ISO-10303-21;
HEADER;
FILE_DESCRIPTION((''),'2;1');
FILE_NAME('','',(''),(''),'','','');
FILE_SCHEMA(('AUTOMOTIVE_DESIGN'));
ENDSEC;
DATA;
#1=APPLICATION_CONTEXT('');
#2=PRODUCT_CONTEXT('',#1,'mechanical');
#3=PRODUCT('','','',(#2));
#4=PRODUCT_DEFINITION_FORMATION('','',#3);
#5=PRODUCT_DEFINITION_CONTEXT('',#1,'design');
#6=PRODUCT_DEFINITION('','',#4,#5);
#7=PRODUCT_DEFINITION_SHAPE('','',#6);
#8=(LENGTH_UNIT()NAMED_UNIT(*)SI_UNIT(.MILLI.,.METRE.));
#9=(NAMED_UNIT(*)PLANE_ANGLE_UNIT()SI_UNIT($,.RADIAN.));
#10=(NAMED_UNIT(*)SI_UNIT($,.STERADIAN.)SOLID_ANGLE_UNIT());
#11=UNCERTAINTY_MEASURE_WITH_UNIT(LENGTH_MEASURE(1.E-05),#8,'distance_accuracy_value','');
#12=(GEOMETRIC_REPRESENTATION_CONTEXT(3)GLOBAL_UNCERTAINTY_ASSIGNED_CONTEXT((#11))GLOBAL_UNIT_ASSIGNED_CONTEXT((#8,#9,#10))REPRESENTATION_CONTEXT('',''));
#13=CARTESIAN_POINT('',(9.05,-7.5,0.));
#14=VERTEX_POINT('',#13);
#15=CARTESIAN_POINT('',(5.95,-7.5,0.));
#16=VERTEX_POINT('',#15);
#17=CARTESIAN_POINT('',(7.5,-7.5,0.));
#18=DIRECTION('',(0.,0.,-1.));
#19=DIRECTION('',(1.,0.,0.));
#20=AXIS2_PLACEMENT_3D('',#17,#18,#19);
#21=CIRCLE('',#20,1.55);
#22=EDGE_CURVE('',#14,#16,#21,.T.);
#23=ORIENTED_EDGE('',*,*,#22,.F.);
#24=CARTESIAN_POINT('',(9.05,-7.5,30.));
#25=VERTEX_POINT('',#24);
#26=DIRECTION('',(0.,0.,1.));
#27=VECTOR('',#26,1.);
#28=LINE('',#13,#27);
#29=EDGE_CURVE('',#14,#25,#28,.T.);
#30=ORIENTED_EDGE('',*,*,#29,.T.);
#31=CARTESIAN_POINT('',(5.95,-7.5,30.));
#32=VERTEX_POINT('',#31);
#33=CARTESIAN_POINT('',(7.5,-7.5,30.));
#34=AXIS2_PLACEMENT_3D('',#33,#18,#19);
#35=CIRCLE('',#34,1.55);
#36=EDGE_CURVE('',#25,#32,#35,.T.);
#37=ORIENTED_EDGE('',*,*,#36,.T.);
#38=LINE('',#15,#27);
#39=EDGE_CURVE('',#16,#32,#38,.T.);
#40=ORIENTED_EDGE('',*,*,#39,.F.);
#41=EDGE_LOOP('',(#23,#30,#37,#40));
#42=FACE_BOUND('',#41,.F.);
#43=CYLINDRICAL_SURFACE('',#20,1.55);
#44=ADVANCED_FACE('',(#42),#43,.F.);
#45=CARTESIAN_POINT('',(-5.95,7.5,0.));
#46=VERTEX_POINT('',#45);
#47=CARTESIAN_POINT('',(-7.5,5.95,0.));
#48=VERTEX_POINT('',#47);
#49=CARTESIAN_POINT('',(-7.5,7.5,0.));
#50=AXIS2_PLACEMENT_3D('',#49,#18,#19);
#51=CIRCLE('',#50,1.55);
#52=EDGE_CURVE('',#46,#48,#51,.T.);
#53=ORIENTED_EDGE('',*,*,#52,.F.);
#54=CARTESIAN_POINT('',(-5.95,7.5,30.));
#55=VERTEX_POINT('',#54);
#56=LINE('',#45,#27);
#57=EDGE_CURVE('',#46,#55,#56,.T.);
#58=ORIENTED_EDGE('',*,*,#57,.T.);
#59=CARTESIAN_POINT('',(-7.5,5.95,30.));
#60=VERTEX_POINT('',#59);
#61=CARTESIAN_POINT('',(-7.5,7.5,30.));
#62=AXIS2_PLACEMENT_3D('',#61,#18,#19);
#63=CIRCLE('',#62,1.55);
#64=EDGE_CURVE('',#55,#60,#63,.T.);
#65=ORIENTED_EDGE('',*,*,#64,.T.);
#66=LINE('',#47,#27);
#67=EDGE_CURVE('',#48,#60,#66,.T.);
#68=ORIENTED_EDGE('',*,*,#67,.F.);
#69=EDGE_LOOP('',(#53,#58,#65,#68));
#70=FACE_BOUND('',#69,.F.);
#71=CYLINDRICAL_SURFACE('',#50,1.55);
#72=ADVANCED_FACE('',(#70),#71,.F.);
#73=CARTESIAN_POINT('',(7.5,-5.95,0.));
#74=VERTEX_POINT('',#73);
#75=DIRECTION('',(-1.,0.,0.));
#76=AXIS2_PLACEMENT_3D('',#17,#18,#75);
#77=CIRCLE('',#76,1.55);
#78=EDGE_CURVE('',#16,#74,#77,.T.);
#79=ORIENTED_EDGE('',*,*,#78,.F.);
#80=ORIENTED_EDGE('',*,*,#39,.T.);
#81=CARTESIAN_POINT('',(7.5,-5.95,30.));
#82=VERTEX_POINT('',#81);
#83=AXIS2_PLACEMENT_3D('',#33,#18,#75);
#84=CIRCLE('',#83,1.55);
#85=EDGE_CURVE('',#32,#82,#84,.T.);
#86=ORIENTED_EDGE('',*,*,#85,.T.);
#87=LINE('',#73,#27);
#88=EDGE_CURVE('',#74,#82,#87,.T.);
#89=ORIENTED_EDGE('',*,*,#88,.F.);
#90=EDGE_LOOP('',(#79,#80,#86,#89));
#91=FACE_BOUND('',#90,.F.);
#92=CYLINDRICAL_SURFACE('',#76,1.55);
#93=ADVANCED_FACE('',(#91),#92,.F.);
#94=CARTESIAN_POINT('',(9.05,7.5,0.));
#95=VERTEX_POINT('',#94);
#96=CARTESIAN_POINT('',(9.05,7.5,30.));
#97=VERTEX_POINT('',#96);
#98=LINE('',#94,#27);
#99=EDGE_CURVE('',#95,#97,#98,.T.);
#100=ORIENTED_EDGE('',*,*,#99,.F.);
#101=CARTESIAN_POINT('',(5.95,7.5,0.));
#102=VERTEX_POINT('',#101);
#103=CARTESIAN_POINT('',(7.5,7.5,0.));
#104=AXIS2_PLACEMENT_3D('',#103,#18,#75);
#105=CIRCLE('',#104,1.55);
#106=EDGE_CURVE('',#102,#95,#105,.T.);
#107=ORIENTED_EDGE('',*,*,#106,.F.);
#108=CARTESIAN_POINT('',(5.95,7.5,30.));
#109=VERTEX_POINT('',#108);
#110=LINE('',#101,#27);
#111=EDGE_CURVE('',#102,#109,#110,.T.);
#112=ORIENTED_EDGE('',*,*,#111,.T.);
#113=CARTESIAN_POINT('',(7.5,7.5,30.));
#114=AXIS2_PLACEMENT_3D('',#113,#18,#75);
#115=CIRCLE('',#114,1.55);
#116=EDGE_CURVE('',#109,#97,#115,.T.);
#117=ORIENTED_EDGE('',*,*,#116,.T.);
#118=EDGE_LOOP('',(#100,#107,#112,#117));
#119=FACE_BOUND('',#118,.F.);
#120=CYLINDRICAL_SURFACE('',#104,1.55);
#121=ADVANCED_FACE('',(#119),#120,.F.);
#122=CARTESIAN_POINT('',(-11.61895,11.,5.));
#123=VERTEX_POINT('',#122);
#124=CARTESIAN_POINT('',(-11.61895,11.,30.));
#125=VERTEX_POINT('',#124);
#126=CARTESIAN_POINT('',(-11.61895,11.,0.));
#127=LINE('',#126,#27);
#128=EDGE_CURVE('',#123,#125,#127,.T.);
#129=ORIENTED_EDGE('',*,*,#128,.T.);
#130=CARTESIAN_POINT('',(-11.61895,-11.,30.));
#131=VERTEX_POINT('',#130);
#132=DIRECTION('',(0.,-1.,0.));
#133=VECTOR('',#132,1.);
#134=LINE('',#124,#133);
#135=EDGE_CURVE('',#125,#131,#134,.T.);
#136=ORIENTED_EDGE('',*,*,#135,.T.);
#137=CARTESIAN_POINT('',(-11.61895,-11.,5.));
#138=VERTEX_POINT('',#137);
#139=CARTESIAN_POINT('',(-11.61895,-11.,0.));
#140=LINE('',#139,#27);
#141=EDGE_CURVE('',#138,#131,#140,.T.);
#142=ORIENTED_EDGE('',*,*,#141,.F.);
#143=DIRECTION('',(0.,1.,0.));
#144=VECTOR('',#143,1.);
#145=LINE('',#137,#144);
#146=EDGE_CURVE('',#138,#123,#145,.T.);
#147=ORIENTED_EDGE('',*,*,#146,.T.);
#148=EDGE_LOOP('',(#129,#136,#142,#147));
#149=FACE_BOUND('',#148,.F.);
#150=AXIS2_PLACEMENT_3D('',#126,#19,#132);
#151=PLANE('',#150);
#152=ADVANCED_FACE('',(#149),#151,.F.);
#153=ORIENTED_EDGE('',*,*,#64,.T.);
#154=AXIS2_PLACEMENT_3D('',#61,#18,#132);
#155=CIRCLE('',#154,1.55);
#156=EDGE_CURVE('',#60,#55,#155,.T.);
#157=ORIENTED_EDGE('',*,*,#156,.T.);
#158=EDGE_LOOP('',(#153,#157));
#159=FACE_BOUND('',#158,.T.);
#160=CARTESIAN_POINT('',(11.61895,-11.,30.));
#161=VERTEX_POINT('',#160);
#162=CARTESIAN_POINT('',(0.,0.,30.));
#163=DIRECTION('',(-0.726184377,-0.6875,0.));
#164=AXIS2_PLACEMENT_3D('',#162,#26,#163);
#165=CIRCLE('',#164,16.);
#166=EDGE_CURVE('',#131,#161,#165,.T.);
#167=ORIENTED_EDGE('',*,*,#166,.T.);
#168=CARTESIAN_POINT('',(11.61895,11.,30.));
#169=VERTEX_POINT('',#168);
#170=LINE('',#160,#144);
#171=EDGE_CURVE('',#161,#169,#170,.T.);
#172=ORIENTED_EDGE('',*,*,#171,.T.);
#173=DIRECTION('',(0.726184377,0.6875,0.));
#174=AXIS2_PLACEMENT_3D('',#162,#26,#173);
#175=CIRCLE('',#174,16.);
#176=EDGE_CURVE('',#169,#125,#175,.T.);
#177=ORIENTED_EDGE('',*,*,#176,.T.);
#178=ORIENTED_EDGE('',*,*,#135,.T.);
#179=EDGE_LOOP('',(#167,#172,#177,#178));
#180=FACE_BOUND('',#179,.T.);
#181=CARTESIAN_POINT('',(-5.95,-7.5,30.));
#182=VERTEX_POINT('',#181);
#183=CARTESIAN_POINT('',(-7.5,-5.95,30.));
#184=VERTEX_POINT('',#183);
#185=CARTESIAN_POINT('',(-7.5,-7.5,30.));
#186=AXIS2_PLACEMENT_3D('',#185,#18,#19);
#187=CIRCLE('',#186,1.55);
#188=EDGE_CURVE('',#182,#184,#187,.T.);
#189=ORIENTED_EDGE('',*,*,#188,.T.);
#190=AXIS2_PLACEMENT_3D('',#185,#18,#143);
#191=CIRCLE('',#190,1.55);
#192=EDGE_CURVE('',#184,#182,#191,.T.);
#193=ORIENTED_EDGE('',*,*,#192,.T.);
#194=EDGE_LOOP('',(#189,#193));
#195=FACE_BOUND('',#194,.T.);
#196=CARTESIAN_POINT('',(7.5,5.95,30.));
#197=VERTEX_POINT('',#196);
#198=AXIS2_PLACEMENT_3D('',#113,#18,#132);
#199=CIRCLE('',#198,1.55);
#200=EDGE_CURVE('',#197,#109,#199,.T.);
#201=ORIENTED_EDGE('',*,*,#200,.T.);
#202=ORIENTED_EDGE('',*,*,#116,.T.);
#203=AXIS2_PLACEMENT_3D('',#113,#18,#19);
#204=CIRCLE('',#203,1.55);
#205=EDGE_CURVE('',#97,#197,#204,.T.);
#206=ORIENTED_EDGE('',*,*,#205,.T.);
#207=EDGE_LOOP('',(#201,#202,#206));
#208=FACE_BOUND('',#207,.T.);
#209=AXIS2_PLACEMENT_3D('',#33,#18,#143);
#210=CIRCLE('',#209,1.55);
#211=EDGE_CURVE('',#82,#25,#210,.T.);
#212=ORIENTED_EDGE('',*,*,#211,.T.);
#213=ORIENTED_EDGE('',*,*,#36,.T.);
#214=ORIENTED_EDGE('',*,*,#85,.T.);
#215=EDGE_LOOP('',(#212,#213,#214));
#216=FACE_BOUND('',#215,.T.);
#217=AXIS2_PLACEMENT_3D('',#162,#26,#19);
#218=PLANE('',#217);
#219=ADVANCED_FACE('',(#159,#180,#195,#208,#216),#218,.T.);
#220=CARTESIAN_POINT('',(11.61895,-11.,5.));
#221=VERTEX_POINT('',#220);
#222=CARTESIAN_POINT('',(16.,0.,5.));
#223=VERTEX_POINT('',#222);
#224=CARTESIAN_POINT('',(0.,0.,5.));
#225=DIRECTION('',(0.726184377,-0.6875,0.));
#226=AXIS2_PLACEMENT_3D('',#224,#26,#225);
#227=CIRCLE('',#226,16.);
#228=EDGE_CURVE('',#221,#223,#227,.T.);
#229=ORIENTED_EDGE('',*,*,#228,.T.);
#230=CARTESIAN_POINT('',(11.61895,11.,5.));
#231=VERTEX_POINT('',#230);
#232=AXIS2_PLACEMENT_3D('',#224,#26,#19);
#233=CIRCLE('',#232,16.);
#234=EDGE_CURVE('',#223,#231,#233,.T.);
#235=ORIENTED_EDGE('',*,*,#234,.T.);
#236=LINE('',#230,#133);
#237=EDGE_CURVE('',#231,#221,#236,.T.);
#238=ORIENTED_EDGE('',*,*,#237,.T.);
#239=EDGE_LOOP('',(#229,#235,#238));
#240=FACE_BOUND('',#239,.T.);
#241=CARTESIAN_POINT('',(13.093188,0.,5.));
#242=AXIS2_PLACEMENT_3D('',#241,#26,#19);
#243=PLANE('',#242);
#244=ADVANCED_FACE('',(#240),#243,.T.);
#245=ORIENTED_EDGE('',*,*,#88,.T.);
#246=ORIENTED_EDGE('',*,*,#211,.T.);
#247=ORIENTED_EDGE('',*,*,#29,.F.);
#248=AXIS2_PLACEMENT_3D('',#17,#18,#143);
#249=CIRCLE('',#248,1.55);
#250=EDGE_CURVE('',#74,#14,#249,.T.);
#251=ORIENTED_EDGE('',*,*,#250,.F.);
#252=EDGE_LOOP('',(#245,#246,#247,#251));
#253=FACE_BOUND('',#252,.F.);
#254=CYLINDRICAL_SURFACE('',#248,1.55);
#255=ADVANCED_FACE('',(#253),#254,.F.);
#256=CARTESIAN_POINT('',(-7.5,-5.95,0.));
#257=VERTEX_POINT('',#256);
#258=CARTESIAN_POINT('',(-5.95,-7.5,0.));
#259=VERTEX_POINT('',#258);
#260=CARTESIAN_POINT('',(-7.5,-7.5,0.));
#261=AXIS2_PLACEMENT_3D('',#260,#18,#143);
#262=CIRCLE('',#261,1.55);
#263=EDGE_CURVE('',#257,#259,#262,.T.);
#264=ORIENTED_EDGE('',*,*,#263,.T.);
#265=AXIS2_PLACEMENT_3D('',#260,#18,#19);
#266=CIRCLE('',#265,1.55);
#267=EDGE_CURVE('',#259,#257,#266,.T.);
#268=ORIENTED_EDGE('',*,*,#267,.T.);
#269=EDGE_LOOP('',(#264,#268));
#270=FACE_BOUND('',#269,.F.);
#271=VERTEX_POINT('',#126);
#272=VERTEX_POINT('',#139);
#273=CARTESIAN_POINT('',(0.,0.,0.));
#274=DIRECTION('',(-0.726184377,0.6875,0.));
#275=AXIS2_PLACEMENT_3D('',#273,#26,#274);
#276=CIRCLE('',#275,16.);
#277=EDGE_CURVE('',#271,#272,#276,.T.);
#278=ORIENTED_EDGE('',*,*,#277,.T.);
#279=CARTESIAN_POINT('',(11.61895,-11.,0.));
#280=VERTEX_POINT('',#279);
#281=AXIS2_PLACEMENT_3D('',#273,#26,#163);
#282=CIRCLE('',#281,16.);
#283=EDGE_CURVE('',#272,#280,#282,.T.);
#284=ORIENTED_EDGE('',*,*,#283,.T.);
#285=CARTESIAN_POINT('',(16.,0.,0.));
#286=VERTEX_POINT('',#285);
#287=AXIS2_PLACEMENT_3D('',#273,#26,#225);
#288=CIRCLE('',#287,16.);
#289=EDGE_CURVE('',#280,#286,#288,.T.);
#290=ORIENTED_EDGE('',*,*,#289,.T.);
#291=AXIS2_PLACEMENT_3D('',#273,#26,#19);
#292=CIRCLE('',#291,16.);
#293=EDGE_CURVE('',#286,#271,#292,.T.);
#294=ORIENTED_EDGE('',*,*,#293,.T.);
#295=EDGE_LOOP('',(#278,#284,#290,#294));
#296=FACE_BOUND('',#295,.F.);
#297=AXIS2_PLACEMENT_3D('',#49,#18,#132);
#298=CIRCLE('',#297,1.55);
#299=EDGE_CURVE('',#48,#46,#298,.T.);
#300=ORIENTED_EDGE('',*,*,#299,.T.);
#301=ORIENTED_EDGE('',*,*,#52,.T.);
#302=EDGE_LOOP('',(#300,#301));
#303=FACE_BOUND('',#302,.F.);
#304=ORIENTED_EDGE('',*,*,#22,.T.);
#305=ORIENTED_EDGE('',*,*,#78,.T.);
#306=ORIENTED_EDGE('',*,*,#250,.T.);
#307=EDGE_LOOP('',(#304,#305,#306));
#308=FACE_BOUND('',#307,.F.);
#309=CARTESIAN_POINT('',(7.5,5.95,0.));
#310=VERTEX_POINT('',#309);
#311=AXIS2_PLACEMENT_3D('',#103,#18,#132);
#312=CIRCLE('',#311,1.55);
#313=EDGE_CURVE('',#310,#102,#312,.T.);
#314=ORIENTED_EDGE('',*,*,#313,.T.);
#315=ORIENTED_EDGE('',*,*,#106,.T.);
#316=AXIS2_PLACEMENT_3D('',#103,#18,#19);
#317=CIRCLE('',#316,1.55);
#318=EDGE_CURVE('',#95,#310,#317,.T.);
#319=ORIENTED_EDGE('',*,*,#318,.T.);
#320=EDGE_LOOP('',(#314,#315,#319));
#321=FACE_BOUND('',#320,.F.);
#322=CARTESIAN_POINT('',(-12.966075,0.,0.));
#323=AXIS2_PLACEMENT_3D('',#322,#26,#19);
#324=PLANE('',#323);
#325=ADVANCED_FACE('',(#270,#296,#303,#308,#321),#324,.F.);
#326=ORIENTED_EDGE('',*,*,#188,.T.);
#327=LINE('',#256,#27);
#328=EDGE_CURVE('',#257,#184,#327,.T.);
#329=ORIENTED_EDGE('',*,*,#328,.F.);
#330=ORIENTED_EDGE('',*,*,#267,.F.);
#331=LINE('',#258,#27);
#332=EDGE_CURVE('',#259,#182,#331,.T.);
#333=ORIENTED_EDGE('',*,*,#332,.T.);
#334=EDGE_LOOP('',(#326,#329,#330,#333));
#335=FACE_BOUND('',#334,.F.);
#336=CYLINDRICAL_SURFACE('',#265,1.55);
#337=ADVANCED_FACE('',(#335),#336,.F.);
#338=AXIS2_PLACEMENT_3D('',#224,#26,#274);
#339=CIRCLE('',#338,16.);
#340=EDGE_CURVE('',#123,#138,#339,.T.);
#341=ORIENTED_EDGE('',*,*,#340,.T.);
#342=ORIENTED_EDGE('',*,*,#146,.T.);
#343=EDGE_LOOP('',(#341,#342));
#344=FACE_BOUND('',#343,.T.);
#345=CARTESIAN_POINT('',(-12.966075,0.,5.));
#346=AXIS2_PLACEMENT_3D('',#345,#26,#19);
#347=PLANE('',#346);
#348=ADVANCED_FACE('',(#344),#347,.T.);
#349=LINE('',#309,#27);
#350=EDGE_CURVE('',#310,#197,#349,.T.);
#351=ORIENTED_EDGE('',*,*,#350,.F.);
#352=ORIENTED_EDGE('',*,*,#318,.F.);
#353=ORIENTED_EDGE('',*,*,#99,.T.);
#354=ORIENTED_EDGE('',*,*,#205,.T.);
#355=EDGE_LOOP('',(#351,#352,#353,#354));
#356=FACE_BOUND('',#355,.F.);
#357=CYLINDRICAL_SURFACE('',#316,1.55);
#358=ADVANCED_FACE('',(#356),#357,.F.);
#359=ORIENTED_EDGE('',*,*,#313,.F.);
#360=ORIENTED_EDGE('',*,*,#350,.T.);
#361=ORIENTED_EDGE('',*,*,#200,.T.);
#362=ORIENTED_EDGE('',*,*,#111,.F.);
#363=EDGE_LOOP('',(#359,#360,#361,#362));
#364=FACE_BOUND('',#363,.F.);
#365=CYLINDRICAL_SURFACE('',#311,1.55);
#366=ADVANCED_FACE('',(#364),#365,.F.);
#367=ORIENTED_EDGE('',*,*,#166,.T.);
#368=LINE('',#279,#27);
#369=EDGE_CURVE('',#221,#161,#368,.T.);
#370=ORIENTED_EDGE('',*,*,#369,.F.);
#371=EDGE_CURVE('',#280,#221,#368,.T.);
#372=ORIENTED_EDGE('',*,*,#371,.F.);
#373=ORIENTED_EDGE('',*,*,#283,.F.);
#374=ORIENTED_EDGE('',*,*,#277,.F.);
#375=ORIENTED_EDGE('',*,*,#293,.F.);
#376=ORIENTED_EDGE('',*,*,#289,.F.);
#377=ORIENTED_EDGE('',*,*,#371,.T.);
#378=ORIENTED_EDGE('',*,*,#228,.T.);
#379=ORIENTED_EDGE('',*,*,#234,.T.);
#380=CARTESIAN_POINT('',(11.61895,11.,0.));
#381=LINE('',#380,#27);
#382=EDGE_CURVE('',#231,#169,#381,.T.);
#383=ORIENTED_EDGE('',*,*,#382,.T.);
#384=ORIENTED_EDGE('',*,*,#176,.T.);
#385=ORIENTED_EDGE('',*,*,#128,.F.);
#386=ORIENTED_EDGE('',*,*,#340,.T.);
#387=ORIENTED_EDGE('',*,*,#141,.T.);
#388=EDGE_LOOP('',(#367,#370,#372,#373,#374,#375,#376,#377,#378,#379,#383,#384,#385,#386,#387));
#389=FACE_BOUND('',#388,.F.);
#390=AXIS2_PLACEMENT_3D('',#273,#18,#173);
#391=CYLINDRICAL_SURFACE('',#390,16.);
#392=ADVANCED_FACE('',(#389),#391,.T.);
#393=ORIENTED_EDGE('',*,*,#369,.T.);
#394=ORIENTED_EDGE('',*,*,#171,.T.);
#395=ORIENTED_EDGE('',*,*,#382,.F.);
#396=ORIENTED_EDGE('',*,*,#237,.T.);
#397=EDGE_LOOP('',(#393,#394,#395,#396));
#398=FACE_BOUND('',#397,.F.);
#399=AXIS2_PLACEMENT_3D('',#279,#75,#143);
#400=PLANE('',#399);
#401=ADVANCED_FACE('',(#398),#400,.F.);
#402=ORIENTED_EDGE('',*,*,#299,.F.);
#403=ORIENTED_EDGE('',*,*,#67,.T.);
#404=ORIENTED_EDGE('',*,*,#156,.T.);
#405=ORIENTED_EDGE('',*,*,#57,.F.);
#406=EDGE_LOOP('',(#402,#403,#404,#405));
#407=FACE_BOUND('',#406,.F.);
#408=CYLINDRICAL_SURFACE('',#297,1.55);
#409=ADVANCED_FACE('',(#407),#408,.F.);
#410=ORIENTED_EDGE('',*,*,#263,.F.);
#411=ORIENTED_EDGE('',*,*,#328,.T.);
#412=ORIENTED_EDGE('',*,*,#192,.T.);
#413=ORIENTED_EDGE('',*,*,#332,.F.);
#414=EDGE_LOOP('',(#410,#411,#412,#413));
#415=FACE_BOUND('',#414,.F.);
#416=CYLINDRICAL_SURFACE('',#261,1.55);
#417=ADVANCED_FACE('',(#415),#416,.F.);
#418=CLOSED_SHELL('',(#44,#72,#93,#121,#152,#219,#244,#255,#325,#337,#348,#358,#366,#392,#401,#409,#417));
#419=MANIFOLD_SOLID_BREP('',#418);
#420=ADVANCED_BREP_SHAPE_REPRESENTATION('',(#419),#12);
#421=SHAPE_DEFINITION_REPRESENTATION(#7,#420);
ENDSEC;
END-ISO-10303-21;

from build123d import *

# Parameters (mm, degrees)
F1_DEPTH = 30
F2_DEPTH = 5


with BuildPart() as f1:
    # F0 (on Top) → F1 (new body)
    with BuildSketch(Plane.XY):
        with BuildLine():
            Line((11.6189500386, -11), (11.6189500386, 11))
            ThreePointArc((11.6189500386, 11), (0, 16), (-11.6189500386, 11))
            Line((-11.6189500386, 11), (-11.6189500386, -11))
            ThreePointArc((-11.6189500386, -11), (0, -16), (11.6189500386, -11))
        make_face()
        with BuildLine():
            Line((5.95, -7.5), (-5.95, -7.5))
            ThreePointArc((-5.95, -7.5), (-8.5960155108, -8.5960155108), (-7.5, -5.95))
            Line((-7.5, -5.95), (-7.5, 5.95))
            ThreePointArc((-7.5, 5.95), (-8.5960155108, 8.5960155108), (-5.95, 7.5))
            Line((-5.95, 7.5), (5.95, 7.5))
            ThreePointArc((5.95, 7.5), (7.5, 9.05), (9.05, 7.5))
            ThreePointArc((9.05, 7.5), (8.5960155108, 6.4039844892), (7.5, 5.95))
            Line((7.5, 5.95), (7.5, -5.95))
            ThreePointArc((7.5, -5.95), (8.5960155108, -6.4039844892), (9.05, -7.5))
            ThreePointArc((9.05, -7.5), (7.5, -9.05), (5.95, -7.5))
        make_face(mode=Mode.SUBTRACT)
        with BuildLine():
            ThreePointArc((-7.5, -5.95), (-6.4039844892, -6.4039844892), (-5.95, -7.5))
            Line((-5.95, -7.5), (5.95, -7.5))
            ThreePointArc((5.95, -7.5), (6.4039844892, -6.4039844892), (7.5, -5.95))
            Line((7.5, -5.95), (7.5, 5.95))
            ThreePointArc((7.5, 5.95), (6.4039844892, 6.4039844892), (5.95, 7.5))
            Line((5.95, 7.5), (-5.95, 7.5))
            ThreePointArc((-5.95, 7.5), (-6.4039844892, 6.4039844892), (-7.5, 5.95))
            Line((-7.5, 5.95), (-7.5, -5.95))
        make_face()
    extrude(amount=F1_DEPTH)

    # F0 (on Top) → F2 (join)
    with BuildSketch(Plane.XY):
        with BuildLine():
            Line((-11.6189500386, -11), (-11.6189500386, 11))
            ThreePointArc((-11.6189500386, 11), (-16, 0), (-11.6189500386, -11))
        make_face()
        with BuildLine():
            ThreePointArc((11.6189500386, -11), (14.8644408004, -5.9201688904), (16, 0))
            ThreePointArc((16, 0), (14.8644408004, 5.9201688904), (11.6189500386, 11))
            Line((11.6189500386, 11), (11.6189500386, -11))
        make_face()
    extrude(amount=F2_DEPTH)


solid = f1.part
